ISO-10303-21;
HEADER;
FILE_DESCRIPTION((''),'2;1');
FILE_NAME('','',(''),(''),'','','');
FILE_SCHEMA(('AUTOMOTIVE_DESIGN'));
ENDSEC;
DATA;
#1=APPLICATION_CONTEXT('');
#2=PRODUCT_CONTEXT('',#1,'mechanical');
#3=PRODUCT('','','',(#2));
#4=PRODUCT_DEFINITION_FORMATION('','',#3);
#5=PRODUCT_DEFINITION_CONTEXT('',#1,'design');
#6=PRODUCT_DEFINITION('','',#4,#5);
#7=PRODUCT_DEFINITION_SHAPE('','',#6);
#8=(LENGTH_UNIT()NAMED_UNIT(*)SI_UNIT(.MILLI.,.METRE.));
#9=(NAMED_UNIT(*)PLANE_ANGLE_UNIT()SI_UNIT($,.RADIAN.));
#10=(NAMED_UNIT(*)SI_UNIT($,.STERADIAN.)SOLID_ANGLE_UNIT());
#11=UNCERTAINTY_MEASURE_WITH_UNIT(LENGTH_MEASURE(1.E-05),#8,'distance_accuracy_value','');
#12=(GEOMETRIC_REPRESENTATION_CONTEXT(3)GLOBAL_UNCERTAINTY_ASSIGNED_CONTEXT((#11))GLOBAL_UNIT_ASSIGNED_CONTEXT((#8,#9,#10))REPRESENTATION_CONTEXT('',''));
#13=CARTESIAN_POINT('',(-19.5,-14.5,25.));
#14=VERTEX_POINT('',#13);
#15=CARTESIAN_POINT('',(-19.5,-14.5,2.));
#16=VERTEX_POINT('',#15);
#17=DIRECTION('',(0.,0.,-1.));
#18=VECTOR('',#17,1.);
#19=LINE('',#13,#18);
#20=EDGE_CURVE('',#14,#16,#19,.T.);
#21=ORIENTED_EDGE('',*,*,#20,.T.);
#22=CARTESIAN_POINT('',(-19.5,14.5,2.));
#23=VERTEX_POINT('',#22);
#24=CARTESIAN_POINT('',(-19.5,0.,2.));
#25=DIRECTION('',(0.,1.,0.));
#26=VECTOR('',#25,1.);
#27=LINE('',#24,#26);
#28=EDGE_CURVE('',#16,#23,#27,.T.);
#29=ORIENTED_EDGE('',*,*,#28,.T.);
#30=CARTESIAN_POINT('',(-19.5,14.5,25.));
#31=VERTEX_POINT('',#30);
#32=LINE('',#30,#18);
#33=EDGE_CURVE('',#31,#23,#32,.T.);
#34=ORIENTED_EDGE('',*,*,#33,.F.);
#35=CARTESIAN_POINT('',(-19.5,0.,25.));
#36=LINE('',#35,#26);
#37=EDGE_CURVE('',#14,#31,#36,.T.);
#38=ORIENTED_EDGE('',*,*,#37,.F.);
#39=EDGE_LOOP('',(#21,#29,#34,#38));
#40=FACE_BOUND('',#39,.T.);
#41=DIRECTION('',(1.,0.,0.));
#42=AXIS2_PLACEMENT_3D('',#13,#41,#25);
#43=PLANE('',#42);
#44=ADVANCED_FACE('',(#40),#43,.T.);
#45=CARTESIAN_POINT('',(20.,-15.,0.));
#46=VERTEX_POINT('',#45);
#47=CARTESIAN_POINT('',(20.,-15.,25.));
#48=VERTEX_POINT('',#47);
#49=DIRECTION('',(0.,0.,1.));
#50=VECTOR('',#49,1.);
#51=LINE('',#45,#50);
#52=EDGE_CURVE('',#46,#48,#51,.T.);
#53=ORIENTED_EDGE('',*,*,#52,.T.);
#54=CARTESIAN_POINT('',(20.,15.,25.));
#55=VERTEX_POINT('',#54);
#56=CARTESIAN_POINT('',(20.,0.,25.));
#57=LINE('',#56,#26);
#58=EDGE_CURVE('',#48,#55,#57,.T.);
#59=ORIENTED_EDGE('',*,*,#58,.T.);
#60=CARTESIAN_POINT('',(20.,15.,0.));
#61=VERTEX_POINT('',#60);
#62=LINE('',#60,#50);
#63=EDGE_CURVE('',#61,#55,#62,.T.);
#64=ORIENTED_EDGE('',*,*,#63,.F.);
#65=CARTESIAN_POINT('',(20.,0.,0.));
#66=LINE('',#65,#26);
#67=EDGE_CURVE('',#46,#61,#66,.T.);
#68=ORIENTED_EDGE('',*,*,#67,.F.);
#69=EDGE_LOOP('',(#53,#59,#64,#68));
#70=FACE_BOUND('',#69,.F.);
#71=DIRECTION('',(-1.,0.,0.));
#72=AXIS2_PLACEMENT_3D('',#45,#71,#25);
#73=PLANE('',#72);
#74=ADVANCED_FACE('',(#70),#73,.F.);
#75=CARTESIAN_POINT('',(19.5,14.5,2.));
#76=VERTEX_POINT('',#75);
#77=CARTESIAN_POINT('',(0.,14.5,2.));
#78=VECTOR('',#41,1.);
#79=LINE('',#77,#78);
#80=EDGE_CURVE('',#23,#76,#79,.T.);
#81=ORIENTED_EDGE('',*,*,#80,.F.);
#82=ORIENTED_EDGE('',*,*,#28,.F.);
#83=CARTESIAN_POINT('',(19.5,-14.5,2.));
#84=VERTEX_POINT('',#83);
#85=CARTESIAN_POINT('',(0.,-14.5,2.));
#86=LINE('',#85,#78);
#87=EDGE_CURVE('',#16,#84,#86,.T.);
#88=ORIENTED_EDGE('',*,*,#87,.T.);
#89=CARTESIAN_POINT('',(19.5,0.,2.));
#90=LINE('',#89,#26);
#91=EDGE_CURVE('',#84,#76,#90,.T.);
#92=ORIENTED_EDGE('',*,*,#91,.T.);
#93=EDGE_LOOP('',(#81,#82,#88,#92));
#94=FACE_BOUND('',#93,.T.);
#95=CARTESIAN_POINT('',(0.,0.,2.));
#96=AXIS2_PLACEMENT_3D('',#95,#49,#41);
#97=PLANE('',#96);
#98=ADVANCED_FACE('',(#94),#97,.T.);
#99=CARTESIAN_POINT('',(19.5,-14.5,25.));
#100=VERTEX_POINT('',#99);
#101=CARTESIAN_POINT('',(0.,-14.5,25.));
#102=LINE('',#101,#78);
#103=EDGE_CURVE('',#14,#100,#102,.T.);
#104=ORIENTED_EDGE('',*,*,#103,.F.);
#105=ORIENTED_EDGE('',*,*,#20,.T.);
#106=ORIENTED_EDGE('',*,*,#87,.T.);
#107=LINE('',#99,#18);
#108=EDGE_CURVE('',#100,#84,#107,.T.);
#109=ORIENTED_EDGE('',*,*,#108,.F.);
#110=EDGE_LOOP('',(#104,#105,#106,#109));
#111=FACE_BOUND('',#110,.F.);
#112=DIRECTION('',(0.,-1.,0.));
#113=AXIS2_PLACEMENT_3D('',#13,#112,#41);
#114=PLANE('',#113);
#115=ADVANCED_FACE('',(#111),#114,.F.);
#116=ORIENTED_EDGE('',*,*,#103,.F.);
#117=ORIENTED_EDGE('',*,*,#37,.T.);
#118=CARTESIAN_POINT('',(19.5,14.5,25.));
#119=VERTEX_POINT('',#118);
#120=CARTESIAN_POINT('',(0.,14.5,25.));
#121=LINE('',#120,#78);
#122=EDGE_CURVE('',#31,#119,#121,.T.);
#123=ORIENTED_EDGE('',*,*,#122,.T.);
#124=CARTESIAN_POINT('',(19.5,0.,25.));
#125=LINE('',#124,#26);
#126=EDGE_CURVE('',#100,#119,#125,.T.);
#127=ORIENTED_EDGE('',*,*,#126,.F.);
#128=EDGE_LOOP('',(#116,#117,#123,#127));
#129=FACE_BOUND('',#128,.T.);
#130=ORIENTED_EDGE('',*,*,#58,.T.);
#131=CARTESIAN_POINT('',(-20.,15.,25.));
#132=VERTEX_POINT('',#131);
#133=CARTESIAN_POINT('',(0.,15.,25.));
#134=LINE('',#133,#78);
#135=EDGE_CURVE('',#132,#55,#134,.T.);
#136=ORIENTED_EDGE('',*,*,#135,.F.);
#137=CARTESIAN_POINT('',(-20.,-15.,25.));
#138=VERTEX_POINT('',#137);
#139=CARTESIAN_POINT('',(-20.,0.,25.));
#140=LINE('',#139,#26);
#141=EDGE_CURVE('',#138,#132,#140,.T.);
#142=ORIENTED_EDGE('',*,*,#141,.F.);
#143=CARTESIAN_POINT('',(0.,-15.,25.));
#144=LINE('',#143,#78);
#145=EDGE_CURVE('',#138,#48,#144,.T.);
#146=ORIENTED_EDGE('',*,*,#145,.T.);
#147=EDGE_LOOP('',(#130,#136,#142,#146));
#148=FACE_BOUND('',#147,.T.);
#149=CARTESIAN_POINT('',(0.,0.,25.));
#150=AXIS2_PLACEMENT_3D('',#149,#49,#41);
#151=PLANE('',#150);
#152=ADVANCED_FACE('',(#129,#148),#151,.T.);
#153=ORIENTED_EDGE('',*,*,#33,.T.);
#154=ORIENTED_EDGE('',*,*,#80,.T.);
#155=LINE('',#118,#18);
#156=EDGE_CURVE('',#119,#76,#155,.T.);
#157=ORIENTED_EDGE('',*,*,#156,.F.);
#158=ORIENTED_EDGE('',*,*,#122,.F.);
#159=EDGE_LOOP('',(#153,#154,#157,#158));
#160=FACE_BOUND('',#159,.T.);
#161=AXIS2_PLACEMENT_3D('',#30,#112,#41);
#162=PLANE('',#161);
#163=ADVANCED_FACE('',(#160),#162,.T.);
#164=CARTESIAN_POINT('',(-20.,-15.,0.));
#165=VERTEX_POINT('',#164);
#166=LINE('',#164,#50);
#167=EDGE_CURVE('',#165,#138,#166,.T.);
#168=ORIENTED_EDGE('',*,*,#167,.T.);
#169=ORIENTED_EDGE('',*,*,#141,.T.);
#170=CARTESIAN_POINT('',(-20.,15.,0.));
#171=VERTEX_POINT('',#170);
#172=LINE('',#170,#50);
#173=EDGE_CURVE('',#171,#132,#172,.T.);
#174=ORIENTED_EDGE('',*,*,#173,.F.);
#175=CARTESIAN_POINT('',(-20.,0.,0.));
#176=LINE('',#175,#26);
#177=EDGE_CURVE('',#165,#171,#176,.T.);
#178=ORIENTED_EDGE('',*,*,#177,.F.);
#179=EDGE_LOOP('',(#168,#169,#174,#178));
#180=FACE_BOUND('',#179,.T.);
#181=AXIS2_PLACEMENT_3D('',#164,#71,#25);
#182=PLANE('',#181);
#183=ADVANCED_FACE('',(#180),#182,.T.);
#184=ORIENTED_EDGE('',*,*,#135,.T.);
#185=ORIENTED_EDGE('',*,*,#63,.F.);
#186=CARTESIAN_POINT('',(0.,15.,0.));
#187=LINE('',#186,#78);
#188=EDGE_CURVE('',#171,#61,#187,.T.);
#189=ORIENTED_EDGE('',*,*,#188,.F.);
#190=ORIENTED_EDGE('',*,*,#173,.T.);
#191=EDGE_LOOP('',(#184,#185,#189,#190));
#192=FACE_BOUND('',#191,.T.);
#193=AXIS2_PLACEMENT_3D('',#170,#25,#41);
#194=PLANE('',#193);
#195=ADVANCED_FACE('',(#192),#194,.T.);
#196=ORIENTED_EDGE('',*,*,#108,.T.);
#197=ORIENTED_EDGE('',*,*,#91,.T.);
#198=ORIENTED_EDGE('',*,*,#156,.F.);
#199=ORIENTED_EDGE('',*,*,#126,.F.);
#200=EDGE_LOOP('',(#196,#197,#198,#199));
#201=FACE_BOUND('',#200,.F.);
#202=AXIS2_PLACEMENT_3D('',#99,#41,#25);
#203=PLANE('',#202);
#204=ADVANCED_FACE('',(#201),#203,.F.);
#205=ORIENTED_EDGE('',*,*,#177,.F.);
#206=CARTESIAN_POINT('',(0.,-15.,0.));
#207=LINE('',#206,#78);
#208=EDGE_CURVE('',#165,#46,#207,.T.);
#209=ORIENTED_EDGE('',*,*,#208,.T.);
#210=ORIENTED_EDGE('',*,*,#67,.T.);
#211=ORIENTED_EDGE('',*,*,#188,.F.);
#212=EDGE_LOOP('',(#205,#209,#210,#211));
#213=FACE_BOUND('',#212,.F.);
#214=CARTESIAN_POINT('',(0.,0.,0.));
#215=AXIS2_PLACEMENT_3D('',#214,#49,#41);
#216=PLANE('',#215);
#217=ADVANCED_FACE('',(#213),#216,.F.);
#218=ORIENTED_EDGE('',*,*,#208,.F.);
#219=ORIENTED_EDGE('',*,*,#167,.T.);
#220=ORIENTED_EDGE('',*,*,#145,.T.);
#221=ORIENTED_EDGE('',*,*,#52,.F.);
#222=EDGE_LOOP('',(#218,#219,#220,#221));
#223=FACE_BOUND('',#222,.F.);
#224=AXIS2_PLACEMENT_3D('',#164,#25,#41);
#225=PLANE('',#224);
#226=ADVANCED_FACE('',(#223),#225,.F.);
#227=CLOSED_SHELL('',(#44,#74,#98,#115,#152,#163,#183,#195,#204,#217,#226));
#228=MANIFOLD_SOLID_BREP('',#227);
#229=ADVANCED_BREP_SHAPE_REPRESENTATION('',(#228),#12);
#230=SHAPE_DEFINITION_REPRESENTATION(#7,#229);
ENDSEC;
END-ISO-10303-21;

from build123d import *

# Parameters (mm, degrees)
SKETCH_W     = 40
SKETCH_H     = 30
PAD_DEPTH    = 25
SKETCH001_W  = 39
SKETCH001_H  = 29
POCKET_DEPTH = 23


with BuildPart() as part:
    # Sketch → Pad (new body)
    with BuildSketch(Plane.XY):
        Rectangle(SKETCH_W, SKETCH_H)
    extrude(amount=PAD_DEPTH)

    # Sketch001 (on Face6 of Pad) → Pocket (cut)
    with BuildSketch(Plane.XY.offset(25)):
        Rectangle(SKETCH001_W, SKETCH001_H)
    extrude(amount=-POCKET_DEPTH, mode=Mode.SUBTRACT)


solid = part.part
